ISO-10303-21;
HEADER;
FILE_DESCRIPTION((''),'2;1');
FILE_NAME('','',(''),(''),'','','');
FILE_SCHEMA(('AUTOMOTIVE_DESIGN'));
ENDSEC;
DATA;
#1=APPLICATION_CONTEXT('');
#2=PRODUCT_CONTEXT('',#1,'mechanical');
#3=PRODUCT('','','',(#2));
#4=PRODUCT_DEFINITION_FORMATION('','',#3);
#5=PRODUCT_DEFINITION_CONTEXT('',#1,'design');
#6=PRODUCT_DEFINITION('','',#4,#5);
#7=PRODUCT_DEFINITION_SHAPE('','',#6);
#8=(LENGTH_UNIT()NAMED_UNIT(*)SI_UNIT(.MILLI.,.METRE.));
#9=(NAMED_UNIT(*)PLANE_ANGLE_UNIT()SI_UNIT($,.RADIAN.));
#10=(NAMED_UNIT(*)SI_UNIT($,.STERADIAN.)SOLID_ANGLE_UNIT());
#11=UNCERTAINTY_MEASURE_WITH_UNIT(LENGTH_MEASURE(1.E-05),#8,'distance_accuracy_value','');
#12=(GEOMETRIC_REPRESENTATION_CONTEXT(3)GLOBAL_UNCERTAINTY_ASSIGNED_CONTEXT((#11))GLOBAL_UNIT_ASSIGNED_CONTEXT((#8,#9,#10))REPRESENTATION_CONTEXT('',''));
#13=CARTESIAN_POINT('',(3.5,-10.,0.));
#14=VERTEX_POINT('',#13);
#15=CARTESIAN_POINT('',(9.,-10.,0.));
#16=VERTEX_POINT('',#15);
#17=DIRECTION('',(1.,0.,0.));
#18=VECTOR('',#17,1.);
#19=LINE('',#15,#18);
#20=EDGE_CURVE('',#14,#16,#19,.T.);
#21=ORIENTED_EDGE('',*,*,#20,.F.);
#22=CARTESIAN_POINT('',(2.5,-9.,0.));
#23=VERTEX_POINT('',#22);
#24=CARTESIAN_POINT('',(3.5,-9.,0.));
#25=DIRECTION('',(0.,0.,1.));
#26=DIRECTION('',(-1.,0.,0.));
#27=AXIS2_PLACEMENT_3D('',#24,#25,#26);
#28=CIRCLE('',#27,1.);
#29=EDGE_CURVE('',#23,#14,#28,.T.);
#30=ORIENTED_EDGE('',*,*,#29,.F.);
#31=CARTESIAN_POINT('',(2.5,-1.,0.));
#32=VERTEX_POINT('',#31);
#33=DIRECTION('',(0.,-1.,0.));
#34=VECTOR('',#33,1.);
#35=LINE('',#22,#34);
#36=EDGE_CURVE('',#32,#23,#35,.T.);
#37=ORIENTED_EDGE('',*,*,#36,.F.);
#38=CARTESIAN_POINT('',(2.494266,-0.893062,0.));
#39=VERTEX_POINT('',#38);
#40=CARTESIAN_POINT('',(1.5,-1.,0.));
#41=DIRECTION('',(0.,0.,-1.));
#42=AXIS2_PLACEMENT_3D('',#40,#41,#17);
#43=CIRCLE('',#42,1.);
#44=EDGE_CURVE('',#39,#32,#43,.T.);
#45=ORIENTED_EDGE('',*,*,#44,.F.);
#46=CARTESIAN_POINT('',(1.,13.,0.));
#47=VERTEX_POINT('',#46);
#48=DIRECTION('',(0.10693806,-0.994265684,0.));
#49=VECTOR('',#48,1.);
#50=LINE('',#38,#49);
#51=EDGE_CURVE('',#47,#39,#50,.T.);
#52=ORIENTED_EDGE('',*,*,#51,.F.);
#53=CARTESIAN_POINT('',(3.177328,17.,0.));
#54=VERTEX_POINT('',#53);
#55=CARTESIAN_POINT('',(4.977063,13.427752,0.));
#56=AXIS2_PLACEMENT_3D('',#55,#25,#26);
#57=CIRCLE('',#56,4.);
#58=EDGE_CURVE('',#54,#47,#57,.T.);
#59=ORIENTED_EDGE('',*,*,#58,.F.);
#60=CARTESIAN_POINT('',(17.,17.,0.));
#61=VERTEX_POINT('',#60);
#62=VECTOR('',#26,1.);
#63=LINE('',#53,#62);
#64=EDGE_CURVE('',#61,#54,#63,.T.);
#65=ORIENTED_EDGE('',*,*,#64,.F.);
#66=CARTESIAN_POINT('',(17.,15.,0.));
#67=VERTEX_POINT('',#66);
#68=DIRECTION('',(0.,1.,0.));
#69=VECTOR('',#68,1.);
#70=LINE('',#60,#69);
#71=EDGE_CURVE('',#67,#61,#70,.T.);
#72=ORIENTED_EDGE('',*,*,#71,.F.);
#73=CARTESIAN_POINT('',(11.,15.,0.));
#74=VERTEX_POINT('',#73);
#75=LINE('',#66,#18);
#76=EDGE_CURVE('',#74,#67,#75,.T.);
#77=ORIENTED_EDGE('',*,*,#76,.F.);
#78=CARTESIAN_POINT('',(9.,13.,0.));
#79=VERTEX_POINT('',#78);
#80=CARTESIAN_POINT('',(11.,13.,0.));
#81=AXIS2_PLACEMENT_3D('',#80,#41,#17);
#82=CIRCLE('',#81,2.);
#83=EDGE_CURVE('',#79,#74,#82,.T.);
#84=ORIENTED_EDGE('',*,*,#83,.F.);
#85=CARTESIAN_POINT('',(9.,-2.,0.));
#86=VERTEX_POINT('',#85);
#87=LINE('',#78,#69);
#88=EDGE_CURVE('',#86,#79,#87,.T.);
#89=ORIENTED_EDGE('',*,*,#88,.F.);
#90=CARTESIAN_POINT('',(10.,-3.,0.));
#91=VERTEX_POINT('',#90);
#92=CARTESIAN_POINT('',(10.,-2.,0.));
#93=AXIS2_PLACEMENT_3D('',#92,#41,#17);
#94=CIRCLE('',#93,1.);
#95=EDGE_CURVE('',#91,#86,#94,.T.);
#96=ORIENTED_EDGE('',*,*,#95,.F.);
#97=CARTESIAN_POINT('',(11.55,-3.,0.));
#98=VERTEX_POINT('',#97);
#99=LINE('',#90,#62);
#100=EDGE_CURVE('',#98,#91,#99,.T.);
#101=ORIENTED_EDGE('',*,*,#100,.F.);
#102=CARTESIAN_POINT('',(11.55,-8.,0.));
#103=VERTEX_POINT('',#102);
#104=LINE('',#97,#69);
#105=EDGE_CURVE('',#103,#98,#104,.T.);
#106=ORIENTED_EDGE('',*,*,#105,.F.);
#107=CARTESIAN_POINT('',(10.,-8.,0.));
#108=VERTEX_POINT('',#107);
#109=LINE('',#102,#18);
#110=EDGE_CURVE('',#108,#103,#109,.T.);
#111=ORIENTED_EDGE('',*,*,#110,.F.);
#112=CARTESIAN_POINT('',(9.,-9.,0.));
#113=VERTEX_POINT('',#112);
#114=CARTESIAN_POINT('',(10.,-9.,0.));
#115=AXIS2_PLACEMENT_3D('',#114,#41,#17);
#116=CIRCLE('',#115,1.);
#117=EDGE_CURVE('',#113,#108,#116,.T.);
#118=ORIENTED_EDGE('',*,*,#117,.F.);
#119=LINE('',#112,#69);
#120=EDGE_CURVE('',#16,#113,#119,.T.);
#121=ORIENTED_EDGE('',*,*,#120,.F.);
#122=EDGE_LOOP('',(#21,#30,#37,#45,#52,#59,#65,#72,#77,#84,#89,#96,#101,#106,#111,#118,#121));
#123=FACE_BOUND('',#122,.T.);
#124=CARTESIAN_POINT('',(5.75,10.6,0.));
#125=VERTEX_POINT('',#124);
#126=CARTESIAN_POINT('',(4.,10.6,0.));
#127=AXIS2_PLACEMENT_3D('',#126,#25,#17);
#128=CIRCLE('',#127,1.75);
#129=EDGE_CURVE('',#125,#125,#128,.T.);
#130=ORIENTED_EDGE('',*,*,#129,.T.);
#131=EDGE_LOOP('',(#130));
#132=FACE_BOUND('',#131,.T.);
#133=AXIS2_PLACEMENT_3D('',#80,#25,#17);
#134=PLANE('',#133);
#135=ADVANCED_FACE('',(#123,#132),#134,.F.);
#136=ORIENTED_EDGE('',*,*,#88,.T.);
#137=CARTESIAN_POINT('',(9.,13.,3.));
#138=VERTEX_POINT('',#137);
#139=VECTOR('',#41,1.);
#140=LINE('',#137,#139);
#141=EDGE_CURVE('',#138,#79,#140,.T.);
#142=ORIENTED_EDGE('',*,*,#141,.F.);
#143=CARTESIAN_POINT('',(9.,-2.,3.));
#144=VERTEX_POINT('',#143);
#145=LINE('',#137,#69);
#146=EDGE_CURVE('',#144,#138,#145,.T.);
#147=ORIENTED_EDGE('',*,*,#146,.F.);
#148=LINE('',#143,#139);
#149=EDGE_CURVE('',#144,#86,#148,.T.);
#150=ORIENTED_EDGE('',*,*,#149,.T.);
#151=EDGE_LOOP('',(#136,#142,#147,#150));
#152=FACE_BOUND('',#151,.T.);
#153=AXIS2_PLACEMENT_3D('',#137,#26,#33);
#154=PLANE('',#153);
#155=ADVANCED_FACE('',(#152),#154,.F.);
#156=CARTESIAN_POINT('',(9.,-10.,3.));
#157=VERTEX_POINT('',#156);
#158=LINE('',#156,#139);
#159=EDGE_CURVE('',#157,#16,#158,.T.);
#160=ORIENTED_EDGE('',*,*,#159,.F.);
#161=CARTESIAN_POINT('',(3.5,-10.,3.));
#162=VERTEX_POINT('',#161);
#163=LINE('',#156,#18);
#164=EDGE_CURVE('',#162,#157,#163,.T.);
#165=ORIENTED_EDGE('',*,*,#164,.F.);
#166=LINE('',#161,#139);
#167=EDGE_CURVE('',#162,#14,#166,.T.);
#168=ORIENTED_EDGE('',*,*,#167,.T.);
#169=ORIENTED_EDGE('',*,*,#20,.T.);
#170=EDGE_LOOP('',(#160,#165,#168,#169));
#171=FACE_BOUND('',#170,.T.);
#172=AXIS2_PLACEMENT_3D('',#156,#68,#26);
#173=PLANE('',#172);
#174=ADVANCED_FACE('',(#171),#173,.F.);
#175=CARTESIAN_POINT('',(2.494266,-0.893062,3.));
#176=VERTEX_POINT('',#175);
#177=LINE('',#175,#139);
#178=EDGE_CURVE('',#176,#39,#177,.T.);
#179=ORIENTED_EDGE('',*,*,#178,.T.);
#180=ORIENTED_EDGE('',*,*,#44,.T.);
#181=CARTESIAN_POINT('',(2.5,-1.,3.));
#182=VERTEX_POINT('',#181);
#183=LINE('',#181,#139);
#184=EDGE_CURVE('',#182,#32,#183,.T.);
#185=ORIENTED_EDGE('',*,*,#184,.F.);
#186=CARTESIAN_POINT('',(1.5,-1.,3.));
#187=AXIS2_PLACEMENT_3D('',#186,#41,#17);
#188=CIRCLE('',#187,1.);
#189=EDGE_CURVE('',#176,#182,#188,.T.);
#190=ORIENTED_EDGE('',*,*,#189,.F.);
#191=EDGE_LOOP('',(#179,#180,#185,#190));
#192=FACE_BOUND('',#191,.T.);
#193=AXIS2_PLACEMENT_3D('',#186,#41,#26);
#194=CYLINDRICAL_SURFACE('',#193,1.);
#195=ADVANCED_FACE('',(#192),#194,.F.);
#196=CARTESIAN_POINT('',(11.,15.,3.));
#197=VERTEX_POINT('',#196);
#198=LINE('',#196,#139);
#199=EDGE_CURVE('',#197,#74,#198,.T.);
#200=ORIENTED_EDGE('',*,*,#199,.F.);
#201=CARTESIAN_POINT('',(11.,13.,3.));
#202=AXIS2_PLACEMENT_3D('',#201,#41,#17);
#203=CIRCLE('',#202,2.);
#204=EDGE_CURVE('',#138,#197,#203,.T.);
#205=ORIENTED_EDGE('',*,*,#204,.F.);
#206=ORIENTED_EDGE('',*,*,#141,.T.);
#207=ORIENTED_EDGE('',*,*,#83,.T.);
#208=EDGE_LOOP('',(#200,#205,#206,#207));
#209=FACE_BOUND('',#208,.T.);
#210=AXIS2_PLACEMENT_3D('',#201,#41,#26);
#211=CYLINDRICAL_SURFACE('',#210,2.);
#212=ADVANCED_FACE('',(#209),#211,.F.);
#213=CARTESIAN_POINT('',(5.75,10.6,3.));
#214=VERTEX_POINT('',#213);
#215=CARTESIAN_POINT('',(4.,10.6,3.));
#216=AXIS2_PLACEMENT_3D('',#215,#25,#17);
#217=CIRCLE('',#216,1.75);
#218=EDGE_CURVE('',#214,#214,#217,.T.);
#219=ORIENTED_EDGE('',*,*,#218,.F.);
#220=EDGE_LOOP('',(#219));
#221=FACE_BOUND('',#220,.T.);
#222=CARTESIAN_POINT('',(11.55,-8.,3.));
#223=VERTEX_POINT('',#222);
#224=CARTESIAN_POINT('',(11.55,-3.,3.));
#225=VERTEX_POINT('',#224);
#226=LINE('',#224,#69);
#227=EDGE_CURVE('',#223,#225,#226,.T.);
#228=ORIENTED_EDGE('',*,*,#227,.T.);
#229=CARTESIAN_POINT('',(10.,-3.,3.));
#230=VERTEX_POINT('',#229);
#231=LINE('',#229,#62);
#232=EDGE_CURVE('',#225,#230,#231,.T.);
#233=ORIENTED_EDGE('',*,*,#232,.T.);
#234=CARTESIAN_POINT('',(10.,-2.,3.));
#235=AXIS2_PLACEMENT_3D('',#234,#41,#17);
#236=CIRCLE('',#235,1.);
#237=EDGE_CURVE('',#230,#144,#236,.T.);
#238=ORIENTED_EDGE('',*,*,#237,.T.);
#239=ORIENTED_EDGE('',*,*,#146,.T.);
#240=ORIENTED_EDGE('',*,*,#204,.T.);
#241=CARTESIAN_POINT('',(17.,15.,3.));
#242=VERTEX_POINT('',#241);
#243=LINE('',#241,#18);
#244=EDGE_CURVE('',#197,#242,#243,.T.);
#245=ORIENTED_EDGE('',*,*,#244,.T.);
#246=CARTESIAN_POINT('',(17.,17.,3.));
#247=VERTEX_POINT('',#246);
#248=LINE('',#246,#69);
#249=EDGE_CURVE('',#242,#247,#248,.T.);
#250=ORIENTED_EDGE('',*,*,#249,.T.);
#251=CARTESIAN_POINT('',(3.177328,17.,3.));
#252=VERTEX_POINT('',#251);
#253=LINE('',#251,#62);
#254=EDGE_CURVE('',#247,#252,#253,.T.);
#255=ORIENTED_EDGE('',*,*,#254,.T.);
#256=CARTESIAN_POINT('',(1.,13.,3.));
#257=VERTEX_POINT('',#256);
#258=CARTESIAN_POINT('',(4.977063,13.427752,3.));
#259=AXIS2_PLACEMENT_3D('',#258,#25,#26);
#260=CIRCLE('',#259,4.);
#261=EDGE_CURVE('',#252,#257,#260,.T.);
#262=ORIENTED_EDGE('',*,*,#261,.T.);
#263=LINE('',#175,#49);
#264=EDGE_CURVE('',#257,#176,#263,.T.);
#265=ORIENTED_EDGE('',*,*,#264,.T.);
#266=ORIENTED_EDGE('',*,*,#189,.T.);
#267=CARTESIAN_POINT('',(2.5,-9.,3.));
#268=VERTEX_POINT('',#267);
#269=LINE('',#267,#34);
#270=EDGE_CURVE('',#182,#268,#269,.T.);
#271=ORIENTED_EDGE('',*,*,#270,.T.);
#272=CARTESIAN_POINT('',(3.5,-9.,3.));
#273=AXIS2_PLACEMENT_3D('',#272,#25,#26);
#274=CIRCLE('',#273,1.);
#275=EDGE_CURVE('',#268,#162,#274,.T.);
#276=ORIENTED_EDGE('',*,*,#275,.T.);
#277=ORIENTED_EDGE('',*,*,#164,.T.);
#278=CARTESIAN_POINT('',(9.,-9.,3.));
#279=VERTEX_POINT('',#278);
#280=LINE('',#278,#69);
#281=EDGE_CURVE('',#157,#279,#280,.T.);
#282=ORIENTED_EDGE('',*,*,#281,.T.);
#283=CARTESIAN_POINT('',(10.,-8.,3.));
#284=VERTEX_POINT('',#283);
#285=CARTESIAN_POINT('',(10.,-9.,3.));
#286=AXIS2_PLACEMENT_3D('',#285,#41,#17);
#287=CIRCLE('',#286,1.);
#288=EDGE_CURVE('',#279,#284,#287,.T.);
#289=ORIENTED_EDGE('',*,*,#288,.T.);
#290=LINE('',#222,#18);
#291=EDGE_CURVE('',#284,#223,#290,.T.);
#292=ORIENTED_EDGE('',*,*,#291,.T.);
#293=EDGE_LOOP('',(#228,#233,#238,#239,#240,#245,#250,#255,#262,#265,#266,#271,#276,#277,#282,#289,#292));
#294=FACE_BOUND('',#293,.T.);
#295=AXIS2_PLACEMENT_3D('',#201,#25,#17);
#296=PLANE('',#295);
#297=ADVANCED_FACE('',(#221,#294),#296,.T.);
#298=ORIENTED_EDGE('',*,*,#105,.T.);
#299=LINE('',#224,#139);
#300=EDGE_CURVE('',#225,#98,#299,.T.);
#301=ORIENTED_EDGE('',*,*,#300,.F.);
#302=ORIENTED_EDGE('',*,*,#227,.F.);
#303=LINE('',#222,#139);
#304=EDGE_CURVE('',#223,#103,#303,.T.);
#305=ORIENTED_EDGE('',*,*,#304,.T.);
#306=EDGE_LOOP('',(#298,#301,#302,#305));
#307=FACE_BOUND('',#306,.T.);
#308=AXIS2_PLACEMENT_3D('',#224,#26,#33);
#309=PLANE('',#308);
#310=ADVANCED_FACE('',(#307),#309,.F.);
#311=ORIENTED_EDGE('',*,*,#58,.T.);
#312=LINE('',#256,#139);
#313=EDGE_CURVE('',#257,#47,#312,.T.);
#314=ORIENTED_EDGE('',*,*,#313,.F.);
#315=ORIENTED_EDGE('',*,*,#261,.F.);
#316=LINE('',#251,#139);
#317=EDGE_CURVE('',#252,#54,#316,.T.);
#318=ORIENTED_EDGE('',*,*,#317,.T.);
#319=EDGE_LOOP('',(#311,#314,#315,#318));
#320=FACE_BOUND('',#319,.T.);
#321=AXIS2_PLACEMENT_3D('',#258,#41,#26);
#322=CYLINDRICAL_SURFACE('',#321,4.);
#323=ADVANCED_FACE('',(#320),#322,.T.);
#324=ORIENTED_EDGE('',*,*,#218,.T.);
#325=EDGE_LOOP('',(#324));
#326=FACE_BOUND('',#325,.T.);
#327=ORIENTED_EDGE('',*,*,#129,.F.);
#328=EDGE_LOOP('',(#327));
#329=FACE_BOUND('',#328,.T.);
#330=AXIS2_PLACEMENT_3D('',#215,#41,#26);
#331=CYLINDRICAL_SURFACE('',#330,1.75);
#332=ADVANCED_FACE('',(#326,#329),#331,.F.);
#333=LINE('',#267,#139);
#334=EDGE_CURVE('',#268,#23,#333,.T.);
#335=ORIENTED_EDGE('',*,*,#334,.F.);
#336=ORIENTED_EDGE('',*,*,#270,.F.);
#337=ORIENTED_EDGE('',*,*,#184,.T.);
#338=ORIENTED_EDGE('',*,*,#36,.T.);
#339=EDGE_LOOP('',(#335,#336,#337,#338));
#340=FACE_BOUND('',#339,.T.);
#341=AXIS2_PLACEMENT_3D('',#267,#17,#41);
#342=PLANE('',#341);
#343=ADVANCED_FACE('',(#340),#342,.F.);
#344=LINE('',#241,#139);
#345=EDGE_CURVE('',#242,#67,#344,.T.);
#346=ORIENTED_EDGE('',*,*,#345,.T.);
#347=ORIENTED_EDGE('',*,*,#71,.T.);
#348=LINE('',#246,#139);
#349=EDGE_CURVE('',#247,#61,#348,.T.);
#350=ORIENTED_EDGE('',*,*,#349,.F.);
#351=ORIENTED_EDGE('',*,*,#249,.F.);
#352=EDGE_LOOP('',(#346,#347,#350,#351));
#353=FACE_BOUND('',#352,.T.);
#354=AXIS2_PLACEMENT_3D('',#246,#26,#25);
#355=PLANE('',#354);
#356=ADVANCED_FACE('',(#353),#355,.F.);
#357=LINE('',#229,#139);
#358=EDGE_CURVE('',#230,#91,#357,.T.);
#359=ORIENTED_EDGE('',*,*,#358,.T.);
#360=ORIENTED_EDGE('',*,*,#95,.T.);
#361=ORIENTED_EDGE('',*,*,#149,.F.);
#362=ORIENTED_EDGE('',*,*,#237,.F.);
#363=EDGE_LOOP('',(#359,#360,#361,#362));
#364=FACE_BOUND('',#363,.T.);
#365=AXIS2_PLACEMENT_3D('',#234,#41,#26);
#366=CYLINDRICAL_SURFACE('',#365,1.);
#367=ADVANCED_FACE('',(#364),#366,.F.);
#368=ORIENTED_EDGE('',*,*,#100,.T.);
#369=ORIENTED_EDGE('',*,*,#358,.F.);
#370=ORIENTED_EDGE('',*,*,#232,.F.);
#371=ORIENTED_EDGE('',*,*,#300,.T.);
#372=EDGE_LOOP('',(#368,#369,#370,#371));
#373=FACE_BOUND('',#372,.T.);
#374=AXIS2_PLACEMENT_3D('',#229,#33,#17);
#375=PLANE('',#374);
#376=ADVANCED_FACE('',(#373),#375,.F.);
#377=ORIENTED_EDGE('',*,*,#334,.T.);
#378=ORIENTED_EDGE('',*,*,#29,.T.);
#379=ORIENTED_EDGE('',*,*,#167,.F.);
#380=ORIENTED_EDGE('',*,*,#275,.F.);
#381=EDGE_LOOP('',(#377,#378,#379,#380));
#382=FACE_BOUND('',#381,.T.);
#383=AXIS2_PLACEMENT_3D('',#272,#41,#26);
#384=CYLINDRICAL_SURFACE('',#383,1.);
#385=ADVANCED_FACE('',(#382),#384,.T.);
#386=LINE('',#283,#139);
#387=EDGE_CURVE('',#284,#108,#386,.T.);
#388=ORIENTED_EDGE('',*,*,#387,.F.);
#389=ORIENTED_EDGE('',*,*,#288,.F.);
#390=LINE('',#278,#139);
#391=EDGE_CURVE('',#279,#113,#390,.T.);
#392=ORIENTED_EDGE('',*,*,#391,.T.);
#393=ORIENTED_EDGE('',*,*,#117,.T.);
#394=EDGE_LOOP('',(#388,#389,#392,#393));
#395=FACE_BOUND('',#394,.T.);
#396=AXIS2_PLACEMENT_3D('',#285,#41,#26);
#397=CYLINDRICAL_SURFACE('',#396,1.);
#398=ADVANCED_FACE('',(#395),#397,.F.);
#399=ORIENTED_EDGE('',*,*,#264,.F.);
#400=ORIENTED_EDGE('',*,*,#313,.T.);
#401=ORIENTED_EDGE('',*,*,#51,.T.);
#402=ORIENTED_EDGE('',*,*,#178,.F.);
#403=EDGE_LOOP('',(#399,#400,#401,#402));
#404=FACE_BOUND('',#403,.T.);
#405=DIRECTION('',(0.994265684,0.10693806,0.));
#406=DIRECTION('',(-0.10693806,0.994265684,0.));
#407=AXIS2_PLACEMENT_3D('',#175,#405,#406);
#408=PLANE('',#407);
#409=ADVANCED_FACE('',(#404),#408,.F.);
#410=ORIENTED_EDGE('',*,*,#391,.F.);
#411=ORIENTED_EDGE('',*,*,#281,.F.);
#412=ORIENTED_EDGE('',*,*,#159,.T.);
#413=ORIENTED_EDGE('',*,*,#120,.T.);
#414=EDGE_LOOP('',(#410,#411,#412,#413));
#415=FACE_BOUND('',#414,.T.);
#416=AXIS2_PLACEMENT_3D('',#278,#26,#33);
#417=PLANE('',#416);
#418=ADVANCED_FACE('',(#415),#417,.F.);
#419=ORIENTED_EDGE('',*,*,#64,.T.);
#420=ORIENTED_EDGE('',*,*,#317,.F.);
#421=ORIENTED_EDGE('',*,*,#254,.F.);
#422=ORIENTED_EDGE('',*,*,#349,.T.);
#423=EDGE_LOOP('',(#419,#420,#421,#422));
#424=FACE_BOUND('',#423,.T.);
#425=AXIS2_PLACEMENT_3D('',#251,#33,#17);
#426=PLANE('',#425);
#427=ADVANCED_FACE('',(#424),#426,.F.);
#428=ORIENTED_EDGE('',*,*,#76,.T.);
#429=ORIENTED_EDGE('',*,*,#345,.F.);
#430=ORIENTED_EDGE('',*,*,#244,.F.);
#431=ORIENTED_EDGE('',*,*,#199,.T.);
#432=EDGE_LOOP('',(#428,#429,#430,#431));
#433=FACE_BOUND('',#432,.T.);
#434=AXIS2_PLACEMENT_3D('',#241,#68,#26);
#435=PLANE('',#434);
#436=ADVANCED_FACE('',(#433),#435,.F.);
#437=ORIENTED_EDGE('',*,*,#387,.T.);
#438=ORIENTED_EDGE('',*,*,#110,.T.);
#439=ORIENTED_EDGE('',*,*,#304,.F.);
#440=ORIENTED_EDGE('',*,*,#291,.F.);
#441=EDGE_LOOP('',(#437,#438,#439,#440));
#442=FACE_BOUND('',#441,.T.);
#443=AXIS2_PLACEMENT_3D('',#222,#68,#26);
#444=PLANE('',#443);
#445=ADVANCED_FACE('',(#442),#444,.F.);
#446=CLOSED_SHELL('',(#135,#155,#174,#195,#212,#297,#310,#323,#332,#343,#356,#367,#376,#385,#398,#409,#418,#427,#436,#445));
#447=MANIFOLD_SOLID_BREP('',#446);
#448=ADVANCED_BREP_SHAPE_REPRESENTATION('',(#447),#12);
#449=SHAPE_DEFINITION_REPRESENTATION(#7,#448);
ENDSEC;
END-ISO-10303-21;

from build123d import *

# Parameters (mm, degrees)
ESQUISSE1_R        = 1.75
BOSS_EXTRU_1_DEPTH = 3


with BuildPart() as part:
    # Esquisse1 → Boss.-Extru.1 (new body)
    with BuildSketch(Plane.XY):
        with BuildLine():
            Line((3.177327772, 17), (17, 17))
            Line((17, 17), (17, 15))
            Line((17, 15), (11, 15))
            ThreePointArc((11, 15), (9.585786438, 14.414213562), (9, 13))
            Line((9, 13), (9, -2))
            ThreePointArc((9, -2), (9.292893219, -2.707106781), (10, -3))
            Line((10, -3), (11.55, -3))
            Line((11.55, -3), (11.55, -8))
            Line((11.55, -8), (10, -8))
            ThreePointArc((10, -8), (9.292893219, -8.292893219), (9, -9))
            Line((9, -9), (9, -10))
            Line((9, -10), (3.5, -10))
            ThreePointArc((3.5, -10), (2.792893219, -9.707106781), (2.5, -9))
            Line((2.5, -9), (2.5, -1))
            ThreePointArc((2.5, -1), (2.498565392, -0.946454153), (2.494265684, -0.89306194))
            Line((2.494265684, -0.89306194), (1, 13))
            ThreePointArc((1, 13), (1.463823787, 15.340120425), (3.177327772, 17))
        make_face()
        with Locations((4, 10.6)):
            Circle(ESQUISSE1_R, mode=Mode.SUBTRACT)
    extrude(amount=BOSS_EXTRU_1_DEPTH)


solid = part.part
